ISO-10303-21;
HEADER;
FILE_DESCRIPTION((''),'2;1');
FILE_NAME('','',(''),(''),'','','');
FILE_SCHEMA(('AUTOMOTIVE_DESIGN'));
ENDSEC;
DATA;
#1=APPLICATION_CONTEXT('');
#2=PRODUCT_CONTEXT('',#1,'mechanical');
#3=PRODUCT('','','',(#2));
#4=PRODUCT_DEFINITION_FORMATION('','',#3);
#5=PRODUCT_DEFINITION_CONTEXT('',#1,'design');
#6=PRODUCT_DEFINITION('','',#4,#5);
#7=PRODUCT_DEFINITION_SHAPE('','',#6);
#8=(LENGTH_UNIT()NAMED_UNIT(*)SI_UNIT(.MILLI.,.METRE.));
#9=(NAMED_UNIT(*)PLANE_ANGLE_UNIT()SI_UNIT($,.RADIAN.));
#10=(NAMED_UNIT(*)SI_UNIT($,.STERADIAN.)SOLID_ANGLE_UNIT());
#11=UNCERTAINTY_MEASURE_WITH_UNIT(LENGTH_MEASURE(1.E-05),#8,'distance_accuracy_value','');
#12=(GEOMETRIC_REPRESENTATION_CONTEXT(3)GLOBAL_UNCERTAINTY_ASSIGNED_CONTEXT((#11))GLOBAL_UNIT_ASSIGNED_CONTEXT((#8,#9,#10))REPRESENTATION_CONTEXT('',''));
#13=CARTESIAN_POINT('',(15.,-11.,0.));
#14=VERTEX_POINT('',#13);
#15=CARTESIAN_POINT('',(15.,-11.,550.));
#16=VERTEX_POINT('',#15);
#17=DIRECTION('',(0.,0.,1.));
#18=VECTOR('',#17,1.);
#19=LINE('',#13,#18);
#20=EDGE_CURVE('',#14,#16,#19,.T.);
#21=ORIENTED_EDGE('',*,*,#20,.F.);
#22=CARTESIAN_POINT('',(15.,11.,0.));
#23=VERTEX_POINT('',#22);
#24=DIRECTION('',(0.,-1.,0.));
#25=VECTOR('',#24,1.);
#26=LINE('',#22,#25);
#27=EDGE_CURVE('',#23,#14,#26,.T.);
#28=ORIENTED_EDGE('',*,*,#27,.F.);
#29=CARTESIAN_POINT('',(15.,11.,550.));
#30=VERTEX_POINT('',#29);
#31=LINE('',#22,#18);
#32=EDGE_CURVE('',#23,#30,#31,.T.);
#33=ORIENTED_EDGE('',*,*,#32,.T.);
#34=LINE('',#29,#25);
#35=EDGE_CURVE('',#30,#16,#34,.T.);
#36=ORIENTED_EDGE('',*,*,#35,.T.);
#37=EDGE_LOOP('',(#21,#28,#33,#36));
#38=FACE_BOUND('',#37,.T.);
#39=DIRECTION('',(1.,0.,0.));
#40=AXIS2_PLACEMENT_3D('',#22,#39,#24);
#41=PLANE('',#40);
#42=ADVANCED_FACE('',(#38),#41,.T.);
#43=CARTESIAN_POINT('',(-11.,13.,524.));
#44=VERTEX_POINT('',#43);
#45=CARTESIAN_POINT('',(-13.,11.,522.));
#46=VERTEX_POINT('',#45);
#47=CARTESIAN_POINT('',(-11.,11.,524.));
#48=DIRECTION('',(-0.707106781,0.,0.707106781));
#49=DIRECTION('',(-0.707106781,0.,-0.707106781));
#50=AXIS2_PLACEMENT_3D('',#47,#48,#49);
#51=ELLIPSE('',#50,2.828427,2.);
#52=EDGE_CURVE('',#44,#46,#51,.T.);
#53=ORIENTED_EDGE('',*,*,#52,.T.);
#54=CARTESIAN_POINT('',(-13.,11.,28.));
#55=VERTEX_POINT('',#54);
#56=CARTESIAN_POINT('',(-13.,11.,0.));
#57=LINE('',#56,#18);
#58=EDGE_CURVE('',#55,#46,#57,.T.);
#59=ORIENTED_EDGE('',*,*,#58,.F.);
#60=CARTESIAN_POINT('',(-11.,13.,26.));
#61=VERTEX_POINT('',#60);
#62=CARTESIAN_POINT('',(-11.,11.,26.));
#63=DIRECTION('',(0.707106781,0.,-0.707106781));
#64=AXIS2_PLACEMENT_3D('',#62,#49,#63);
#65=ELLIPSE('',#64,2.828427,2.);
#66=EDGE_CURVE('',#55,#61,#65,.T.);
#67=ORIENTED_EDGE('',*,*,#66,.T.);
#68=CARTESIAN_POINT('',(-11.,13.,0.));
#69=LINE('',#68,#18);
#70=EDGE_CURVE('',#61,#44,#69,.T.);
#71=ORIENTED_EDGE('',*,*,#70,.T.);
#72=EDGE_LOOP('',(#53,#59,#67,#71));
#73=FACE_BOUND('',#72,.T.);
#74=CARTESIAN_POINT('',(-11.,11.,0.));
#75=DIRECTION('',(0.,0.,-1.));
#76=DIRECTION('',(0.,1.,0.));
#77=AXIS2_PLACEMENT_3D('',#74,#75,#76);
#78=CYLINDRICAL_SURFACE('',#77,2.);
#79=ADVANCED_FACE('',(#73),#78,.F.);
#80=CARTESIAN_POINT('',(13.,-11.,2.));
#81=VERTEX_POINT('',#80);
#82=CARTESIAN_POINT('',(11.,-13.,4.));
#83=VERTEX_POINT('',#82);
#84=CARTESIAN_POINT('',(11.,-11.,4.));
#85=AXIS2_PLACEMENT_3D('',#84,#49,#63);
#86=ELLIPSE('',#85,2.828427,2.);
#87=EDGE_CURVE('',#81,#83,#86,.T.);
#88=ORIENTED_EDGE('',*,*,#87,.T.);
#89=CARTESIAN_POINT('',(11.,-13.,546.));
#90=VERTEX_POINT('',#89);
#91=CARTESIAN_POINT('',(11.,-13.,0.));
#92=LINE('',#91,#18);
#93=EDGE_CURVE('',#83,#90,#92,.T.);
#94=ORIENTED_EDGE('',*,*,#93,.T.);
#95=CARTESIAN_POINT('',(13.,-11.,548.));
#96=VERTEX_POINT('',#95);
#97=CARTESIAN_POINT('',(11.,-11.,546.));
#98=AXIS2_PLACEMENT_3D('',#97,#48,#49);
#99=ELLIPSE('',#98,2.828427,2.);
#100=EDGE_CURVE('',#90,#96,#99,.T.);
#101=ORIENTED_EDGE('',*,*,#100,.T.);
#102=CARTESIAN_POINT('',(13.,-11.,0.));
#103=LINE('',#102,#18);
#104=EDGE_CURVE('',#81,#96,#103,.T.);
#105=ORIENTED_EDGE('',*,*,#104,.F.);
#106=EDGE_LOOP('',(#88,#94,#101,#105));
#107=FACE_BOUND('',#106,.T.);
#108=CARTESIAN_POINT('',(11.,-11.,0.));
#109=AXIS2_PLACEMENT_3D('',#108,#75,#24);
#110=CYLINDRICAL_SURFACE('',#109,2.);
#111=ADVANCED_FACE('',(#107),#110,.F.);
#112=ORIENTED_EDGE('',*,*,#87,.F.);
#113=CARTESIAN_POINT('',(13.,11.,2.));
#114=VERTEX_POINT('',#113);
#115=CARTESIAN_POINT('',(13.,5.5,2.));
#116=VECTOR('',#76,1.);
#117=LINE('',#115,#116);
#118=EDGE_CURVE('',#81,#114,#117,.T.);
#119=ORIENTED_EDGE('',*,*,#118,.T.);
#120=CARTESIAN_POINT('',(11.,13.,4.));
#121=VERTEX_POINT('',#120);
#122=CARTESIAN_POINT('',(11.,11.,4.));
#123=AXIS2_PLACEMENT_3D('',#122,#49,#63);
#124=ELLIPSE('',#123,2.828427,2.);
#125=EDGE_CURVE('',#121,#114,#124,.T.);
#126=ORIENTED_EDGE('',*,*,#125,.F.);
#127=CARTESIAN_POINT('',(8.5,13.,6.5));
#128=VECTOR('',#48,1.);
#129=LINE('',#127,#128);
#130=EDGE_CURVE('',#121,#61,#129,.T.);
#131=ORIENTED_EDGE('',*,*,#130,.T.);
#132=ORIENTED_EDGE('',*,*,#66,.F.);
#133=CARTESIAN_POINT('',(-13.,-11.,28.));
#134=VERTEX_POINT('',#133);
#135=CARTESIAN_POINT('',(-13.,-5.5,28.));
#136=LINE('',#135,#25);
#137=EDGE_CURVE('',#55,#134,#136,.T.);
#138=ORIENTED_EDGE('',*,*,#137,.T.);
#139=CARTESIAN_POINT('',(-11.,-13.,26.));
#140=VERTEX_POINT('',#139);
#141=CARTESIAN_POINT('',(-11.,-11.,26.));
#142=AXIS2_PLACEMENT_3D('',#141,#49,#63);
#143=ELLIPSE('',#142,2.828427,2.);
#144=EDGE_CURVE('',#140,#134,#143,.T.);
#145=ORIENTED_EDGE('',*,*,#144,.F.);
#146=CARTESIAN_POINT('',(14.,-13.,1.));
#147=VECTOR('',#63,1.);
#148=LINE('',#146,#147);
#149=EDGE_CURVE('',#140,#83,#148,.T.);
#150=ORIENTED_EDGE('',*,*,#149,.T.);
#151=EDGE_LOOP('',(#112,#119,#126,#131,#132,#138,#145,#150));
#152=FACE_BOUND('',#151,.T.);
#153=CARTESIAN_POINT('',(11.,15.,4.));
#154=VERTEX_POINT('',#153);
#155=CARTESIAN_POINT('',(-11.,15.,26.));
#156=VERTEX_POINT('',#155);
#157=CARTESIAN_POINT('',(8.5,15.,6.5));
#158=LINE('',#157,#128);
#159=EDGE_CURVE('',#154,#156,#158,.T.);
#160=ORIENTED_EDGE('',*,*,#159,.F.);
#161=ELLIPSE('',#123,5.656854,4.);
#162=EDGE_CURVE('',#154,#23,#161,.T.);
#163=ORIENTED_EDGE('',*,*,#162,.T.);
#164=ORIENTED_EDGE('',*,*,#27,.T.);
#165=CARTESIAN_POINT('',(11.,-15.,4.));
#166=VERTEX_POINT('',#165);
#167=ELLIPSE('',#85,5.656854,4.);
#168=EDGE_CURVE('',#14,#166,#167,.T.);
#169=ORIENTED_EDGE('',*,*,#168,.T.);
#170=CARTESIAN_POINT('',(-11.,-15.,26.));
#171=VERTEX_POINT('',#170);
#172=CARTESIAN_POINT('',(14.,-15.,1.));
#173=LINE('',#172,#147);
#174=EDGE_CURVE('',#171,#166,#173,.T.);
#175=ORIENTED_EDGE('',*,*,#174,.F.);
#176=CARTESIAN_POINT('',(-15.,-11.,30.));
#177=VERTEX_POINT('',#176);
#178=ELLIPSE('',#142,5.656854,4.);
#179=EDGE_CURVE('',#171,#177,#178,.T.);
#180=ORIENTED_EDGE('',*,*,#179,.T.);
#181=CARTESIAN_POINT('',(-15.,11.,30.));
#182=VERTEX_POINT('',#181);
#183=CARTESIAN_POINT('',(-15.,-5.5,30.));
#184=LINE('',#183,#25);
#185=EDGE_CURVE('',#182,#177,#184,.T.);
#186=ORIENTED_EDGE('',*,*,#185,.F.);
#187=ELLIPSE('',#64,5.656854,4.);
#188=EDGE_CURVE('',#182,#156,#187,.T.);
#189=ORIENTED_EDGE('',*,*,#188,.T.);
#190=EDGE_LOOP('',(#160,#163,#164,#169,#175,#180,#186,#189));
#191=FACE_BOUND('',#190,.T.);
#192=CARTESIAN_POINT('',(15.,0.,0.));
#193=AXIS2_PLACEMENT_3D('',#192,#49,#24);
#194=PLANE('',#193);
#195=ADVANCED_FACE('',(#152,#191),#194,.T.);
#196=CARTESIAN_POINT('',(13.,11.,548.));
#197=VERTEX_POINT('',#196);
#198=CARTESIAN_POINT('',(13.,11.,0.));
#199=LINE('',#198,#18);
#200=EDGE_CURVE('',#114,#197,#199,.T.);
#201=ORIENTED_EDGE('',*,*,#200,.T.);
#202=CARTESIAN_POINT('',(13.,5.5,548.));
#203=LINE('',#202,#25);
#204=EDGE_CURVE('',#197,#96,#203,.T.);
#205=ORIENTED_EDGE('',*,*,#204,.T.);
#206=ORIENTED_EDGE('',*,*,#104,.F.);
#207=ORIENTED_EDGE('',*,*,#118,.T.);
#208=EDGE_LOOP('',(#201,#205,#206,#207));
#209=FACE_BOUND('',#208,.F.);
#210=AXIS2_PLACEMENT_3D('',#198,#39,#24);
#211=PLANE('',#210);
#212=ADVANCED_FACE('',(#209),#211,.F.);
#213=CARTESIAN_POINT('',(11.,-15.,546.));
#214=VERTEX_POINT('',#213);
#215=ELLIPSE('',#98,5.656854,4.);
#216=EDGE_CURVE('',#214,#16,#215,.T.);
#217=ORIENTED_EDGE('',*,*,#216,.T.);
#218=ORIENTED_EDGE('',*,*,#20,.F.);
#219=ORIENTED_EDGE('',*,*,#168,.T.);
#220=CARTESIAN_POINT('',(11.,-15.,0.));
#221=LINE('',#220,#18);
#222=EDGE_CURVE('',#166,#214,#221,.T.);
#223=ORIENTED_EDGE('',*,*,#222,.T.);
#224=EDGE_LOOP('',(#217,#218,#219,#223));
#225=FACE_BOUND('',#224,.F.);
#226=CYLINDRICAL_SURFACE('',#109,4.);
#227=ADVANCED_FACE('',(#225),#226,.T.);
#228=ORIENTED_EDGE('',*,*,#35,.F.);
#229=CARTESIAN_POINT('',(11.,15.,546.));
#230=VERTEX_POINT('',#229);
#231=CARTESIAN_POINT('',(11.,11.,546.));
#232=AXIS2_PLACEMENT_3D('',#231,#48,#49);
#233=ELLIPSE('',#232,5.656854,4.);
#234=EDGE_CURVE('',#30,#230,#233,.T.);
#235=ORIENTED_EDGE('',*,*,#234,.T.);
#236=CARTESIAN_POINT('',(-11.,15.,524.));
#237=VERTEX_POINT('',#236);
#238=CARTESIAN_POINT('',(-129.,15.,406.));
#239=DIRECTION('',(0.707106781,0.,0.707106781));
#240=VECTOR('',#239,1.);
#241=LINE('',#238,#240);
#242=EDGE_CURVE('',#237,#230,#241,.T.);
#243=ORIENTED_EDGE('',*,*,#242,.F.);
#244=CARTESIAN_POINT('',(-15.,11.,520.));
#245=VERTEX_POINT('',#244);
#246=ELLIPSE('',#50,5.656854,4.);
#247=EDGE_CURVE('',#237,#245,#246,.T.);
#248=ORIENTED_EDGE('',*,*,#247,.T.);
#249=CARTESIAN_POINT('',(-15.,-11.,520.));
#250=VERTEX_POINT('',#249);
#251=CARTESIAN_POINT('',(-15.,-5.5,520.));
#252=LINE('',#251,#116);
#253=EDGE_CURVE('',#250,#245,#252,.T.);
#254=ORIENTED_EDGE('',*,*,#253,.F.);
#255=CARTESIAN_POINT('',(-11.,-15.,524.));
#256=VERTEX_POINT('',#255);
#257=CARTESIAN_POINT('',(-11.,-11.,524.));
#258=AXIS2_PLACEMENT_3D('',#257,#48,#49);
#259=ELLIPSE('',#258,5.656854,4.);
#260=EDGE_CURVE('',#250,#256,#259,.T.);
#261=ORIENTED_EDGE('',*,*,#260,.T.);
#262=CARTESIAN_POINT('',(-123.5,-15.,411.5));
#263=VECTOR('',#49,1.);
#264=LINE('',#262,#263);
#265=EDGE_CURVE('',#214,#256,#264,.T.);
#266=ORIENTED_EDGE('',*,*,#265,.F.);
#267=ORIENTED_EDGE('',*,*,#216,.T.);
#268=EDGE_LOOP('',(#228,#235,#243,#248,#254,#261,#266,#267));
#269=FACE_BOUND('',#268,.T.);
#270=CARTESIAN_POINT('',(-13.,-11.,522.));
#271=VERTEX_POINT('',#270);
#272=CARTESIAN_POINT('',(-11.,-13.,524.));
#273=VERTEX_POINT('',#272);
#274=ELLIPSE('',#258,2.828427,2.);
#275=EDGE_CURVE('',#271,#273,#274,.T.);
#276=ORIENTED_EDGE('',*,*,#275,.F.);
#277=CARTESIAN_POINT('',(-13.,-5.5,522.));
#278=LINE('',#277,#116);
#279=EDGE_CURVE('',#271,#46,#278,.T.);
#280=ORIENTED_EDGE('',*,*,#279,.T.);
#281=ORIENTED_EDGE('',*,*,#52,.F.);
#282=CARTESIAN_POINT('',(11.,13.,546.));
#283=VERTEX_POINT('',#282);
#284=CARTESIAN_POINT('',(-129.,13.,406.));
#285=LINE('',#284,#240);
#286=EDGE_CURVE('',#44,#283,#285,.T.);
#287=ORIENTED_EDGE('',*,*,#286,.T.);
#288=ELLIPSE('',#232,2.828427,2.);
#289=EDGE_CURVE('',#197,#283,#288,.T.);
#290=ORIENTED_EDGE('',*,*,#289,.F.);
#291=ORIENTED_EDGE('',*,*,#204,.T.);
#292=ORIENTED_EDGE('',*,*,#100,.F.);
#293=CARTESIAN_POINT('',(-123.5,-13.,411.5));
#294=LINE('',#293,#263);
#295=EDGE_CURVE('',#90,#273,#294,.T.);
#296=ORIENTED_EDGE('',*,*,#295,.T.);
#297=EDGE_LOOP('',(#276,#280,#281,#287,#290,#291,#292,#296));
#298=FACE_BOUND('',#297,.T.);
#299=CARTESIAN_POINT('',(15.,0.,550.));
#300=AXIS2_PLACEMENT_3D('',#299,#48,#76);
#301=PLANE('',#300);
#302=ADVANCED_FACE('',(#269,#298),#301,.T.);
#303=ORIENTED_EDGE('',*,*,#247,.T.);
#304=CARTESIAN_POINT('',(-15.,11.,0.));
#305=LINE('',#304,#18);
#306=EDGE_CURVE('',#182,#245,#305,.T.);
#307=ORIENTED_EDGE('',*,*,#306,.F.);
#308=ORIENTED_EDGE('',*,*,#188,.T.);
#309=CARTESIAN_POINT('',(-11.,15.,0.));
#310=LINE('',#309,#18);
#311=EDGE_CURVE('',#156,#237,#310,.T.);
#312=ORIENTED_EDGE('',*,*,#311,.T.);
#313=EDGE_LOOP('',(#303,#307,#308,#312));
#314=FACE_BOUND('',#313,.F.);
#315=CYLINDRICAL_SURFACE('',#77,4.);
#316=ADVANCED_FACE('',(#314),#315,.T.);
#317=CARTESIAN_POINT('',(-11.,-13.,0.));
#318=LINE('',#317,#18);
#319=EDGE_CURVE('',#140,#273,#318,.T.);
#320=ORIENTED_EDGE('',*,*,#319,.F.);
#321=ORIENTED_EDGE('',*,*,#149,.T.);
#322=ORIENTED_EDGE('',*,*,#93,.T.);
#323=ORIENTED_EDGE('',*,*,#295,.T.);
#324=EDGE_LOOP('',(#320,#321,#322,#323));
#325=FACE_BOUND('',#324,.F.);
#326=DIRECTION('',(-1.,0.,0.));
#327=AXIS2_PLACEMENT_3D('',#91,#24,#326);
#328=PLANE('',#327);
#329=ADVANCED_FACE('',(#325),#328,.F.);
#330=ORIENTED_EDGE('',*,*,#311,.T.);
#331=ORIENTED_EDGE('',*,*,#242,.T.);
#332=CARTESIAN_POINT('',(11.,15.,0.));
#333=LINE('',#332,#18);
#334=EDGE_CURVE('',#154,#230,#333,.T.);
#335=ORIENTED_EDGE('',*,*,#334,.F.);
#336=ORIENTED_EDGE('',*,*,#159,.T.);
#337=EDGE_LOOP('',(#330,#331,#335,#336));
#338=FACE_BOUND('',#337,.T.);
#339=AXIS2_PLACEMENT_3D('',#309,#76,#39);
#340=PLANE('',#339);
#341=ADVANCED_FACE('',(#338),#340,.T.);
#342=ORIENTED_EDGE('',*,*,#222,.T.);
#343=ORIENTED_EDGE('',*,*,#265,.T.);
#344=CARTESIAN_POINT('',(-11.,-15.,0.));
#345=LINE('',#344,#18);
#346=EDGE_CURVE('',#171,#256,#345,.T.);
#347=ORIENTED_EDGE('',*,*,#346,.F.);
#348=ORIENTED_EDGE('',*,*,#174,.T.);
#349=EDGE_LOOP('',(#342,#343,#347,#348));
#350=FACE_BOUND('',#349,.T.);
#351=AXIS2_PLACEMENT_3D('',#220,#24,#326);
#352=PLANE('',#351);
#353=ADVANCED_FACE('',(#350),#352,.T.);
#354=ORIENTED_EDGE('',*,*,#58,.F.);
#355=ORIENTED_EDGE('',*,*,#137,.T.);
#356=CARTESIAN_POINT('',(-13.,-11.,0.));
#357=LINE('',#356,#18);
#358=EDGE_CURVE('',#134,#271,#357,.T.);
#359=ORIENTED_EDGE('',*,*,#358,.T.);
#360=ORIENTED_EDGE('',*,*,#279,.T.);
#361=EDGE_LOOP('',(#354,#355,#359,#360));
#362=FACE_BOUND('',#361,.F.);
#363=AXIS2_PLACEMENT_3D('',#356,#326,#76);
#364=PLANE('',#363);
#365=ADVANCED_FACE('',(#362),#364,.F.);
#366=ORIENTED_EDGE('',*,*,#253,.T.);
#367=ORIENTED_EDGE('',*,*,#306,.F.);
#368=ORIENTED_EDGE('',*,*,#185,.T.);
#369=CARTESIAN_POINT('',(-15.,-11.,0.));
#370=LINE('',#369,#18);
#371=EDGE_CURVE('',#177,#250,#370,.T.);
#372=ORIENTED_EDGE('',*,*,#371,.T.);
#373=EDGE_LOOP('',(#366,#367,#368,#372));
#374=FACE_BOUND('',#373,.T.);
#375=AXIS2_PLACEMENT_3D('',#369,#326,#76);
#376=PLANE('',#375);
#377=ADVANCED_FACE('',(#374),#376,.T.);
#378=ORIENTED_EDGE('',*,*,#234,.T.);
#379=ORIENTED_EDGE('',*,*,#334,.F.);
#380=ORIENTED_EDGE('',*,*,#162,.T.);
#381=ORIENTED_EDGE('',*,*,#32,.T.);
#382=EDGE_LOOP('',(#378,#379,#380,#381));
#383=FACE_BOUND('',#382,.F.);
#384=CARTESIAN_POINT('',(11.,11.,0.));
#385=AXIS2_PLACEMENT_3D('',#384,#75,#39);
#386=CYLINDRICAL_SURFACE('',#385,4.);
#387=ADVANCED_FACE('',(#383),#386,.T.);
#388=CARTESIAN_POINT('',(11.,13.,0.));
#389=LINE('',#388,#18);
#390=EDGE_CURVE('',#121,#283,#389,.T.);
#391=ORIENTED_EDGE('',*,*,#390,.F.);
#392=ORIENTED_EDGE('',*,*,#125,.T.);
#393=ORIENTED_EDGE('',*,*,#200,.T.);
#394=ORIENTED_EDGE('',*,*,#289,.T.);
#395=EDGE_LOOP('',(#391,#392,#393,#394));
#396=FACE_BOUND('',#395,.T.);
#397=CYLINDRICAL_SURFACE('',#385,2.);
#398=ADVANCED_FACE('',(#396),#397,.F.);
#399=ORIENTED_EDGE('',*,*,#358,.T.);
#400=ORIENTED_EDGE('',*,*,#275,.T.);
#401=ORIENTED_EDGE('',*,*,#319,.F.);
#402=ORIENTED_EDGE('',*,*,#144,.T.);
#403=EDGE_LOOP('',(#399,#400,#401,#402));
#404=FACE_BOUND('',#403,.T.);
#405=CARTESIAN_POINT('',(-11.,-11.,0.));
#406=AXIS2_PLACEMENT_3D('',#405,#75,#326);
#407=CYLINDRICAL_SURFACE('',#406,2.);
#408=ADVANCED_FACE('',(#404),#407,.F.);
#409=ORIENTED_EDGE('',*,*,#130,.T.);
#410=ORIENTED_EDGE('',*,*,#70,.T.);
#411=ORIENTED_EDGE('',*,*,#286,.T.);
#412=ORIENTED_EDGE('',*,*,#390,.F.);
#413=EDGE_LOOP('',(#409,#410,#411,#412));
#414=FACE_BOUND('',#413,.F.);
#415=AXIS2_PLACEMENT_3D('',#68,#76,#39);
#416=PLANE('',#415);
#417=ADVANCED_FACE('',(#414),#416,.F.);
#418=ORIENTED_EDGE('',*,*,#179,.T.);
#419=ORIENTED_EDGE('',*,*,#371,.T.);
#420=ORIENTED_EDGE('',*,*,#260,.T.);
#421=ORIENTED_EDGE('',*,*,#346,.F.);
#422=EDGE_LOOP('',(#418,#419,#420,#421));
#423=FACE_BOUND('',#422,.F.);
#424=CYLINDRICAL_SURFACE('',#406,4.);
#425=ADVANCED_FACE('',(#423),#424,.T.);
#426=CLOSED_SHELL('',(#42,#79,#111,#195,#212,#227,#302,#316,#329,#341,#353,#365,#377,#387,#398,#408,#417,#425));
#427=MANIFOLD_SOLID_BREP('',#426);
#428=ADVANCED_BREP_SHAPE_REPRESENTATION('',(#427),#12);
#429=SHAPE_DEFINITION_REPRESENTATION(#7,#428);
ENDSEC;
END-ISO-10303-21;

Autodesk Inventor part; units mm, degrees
ref_plane "Plano inicial" through (0, 0, 0) normal (0, 0, 1) x (1, 0, 0)
ref_plane "Plano final" through (0, 0, 550) normal (0, 0, 1) x (1, 0, 0)
sketch "Esboço" plane through (0, 0, 0) normal (0, 0, 1) x (1, 0, 0)
  line L0 (-15, -11) -> (-15, 11)
  line L1 (-11, 15) -> (11, 15)
  line L2 (15, 11) -> (15, -11)
  line L3 (11, -15) -> (-11, -15)
  arc A0 (-15, -11) -> (-11, -15) centre (-11, -11) ccw
  arc A1 (15, 11) -> (11, 15) centre (11, 11) ccw
  arc A2 (-11, 15) -> (-15, 11) centre (-11, 11) ccw
  arc A3 (11, -15) -> (15, -11) centre (11, -11) ccw
  arc A4 (-11, 13) -> (-13, 11) centre (-11, 11) ccw
  line L4 (-11, 13) -> (11, 13)
  arc A5 (13, 11) -> (11, 13) centre (11, 11) ccw
  line L5 (13, 11) -> (13, -11)
  arc A6 (11, -13) -> (13, -11) centre (11, -11) ccw
  line L6 (11, -13) -> (-11, -13)
  arc A7 (-13, -11) -> (-11, -13) centre (-11, -11) ccw
  line L7 (-13, -11) -> (-13, 11)
  line L8 (0, 22.1598) -> (0, -22.1598) construction
  line L9 (-22.1598, 0) -> (22.1598, 0) construction
  dimension "d7" = 4
  dimension "d9" = 30
  dimension "d11" = 30
  dimension "d12" = 2
  dimension "d15" = 15
  dimension "d16" = 15
extrude "Corpo" add sketch "Esboço" along normal up to surface (550 mm away) from surface at 0
sketch "Sketch3" plane through (0, 0, 0) normal (0, 0, 1) x (1, 0, 0)
  line L0 (0, 0) -> (10, 0)
ref_plane "Work Plane3" through (0, 0, 0) normal (0, -1, 0) x (1, 0, 0)
sketch "Sketch4" plane through (0, 0, 0) normal (0, -1, 0) x (1, 0, 0)
  line L0 (-2, 0) -> (12, 0)
  line L1 (-2, 550) -> (12, 550)
  dimension "d18" = 550
ref_plane "Plano de trabalho6" through (15, 0, 550) normal (-0.7071, 0, 0.7071) x (0.7071, 0, 0.7071)
split "Dividir3" plane through (15, 0, 550) removes the side toward (-0.7071, 0, 0.7071)
ref_plane "Plano de trabalho7" through (15, 0, 0) normal (-0.7071, 0, -0.7071) x (-0.7071, 0, 0.7071)
split "Dividir4" plane through (15, 0, 0) removes the side toward (-0.7071, 0, -0.7071)
equation "\"d7\" = G_IR"
equation "\"d9\" = G_W"
equation "\"d11\" = G_H"
equation "\"d12\" = G_T"
equation "\"d15\" = 0.5 * d9"
equation "\"d16\" = 0.5 * d11"
equation "\"d3\" = G_L"
equation "\"G_W\" = 30"
equation "\"G_H\" = 30"
equation "\"G_T\" = 2"
equation "\"G_IR\" = 4"
equation "\"G_L\" = d18"
equation "\"G_OFFSET_START\" = 0"
equation "\"G_OFFSET_END\" = 0"
properties part number "ISO 10799-2 - 30x30x2 - 550" material "Aço, suave"
